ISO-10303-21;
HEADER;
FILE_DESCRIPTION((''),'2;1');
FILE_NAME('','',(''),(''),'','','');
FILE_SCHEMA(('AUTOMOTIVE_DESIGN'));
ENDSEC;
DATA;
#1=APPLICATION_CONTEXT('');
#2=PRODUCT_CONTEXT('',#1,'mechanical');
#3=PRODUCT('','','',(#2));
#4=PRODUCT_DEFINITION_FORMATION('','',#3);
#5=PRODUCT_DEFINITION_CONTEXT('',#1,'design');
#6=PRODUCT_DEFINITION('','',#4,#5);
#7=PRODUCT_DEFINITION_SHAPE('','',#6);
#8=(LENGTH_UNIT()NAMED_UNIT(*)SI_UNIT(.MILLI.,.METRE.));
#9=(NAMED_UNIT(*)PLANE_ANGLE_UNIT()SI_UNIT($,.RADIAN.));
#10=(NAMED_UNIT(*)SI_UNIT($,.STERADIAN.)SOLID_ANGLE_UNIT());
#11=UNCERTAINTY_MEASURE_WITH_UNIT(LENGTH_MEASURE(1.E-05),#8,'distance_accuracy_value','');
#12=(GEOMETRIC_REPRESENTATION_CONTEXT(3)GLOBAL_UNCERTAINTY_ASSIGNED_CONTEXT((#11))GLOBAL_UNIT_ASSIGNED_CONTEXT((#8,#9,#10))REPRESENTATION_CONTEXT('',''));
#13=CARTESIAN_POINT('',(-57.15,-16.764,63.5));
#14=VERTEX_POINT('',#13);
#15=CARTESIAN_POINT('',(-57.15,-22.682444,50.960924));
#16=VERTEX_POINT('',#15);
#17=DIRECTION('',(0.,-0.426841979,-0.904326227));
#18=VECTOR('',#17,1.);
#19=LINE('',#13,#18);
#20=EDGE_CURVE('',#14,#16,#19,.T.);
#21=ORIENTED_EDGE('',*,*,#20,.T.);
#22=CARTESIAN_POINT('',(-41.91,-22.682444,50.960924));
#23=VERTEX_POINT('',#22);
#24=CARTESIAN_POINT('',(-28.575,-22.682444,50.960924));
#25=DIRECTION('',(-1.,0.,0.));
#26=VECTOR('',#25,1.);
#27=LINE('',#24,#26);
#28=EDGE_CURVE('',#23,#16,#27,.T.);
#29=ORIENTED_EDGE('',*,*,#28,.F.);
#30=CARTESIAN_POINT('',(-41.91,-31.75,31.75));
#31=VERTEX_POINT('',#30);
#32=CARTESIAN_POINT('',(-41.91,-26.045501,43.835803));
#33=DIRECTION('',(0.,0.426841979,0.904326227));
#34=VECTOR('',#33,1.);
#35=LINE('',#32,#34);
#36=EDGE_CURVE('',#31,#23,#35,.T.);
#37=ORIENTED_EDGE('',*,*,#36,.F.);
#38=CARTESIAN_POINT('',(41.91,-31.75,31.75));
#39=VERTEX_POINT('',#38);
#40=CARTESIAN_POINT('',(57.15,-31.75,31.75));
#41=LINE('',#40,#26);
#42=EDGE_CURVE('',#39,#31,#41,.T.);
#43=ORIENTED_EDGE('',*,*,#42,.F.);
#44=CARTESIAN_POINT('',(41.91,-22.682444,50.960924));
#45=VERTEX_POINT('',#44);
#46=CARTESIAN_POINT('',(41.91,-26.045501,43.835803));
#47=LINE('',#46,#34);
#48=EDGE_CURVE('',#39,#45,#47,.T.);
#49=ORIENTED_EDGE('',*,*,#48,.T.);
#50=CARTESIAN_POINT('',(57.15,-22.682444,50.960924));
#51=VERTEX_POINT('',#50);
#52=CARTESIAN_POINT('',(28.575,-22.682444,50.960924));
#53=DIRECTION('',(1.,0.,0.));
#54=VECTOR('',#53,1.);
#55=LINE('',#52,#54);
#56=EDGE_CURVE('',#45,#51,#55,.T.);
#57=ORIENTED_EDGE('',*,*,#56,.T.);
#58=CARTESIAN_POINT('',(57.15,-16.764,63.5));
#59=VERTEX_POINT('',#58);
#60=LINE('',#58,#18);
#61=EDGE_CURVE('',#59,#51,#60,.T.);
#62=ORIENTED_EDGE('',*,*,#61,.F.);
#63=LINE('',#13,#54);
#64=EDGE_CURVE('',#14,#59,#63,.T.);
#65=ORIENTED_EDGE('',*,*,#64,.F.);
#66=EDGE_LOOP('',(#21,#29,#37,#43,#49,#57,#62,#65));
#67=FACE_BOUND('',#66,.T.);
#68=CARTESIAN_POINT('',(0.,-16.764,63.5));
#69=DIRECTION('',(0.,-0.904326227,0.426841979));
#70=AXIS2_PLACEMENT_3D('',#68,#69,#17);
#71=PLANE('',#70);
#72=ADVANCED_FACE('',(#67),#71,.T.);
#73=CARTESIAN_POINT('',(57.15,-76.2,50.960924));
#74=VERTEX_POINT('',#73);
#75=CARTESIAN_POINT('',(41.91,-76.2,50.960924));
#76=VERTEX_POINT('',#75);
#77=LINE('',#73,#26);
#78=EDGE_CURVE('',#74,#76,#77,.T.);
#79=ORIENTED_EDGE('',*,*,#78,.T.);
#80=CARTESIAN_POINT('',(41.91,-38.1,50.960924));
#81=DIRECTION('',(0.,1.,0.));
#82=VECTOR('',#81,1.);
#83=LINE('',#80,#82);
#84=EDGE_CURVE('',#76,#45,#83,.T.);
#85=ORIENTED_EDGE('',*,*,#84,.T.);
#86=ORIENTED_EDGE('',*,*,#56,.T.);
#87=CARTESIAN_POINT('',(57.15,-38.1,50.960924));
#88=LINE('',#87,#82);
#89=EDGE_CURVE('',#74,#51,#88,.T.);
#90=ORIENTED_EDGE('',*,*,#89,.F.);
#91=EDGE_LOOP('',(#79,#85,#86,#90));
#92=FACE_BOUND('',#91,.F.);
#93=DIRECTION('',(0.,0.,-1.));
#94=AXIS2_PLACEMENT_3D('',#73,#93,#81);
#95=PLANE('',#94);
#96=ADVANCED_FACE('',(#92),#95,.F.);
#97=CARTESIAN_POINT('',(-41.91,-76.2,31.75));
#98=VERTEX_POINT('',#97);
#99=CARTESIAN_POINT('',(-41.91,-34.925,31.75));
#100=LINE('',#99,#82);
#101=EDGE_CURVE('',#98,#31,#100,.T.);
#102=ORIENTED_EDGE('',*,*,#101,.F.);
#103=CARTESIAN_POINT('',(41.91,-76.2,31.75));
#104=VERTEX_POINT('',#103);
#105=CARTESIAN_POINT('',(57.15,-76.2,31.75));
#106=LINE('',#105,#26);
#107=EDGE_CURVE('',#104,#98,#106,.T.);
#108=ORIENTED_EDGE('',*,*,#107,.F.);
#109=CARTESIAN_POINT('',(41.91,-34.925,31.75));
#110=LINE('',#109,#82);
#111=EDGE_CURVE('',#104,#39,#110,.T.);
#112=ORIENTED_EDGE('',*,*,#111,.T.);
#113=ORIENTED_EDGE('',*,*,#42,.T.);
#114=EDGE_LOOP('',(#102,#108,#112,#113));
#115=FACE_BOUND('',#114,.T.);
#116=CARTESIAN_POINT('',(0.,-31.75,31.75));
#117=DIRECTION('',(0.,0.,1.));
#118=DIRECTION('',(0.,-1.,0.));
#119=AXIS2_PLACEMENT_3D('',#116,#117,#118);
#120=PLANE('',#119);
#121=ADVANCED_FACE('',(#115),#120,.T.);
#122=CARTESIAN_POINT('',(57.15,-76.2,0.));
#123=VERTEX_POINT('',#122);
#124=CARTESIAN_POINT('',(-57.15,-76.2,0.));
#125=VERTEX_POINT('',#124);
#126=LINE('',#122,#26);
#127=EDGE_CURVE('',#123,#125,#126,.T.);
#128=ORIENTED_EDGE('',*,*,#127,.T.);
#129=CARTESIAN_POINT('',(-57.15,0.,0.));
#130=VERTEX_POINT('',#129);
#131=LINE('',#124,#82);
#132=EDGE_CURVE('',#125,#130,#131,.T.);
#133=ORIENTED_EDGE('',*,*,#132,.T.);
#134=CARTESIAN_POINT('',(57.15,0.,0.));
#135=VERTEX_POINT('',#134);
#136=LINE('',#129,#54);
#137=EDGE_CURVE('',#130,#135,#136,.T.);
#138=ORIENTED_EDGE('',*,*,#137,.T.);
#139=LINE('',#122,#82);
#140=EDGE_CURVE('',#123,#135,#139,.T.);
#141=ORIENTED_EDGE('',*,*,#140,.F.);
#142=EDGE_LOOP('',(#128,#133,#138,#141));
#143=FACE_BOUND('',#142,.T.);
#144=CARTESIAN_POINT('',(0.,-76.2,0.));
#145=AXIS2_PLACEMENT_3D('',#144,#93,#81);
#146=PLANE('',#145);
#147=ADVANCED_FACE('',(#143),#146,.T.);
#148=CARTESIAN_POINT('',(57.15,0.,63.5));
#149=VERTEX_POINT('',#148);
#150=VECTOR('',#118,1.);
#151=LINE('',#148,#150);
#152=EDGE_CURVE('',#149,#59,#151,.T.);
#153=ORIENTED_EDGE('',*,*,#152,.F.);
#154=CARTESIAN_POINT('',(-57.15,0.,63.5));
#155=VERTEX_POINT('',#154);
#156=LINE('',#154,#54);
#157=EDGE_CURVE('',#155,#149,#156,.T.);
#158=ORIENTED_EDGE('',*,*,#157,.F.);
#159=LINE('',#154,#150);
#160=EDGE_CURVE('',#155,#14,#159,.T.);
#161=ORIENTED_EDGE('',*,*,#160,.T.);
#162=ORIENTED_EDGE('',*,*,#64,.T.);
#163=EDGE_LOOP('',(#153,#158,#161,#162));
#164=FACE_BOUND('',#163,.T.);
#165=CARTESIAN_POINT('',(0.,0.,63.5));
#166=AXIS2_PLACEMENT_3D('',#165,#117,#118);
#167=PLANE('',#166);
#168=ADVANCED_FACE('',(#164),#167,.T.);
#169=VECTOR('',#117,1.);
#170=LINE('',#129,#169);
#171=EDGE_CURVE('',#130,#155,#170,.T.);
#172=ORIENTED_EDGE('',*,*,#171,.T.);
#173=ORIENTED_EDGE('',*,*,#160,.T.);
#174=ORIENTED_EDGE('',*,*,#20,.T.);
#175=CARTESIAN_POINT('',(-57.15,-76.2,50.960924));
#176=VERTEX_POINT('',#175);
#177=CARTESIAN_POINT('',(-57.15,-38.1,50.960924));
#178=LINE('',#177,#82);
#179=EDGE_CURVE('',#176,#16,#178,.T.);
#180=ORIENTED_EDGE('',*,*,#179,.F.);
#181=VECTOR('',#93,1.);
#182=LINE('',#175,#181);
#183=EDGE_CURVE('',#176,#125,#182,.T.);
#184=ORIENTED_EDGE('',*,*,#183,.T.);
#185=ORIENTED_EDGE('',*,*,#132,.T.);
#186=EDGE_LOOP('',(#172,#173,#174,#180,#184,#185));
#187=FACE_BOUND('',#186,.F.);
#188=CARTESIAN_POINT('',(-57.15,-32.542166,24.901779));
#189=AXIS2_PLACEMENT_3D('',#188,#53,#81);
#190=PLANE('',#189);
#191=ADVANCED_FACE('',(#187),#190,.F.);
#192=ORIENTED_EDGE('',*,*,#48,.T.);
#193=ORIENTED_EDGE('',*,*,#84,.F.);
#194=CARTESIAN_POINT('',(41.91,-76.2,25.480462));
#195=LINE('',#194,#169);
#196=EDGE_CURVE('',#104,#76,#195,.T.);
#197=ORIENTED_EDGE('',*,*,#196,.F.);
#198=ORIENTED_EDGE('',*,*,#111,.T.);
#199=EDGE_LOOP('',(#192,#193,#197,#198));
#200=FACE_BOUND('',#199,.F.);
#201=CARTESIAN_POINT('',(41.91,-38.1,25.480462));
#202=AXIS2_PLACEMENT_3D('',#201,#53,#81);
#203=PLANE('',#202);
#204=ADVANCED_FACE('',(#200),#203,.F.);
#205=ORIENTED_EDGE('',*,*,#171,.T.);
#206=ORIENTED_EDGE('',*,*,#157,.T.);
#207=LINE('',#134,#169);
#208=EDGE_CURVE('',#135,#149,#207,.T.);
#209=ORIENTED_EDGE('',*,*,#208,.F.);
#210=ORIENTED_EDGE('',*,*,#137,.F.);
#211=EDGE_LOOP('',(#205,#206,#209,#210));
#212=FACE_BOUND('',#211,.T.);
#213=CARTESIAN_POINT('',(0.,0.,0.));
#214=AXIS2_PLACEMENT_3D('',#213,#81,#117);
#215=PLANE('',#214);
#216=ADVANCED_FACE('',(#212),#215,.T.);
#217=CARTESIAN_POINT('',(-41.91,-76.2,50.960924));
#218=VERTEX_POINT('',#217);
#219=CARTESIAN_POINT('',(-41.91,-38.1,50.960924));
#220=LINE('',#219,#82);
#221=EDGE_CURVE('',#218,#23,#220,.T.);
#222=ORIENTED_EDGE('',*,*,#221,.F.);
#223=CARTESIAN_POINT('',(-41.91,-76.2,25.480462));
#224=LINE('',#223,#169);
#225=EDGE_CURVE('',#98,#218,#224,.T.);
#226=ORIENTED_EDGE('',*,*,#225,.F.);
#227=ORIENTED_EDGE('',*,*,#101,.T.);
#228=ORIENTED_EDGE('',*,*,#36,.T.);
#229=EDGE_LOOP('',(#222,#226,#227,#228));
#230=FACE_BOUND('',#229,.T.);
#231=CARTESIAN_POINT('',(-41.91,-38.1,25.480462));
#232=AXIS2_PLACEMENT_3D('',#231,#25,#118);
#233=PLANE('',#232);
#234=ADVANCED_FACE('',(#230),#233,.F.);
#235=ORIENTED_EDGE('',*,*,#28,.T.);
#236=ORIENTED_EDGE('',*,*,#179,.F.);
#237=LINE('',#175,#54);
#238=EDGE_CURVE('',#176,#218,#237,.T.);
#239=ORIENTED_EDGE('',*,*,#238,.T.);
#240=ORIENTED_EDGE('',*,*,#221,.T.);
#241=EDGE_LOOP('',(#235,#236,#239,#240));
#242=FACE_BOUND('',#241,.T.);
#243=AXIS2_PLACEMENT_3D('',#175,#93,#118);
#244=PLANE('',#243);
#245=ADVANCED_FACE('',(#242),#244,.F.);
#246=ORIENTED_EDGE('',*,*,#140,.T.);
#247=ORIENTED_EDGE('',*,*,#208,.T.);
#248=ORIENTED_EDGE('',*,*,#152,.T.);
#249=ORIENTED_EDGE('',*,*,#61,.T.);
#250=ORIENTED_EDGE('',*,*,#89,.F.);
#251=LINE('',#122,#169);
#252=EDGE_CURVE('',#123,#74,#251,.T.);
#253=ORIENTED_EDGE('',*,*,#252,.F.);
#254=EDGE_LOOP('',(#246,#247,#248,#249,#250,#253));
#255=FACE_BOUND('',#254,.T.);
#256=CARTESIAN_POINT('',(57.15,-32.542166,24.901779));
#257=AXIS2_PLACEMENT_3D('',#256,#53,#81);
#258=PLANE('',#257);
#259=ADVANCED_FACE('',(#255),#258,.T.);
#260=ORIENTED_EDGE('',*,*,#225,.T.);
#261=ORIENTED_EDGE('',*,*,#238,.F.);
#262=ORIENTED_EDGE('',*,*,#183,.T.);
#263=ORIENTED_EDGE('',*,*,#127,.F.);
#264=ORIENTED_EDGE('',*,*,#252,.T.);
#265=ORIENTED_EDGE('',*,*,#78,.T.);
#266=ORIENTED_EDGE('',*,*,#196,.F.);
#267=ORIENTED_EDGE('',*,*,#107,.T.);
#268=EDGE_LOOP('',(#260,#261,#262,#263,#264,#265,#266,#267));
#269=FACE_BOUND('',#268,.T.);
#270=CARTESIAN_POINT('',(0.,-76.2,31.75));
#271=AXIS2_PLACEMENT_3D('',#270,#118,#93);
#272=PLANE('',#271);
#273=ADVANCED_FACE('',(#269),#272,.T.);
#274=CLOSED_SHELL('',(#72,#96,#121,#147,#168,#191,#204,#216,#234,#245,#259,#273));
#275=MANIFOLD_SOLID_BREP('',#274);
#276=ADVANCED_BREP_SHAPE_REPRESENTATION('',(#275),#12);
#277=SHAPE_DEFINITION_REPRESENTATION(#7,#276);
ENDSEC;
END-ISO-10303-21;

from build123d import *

# Parameters (mm, degrees)
F1_DEPTH = 57.15
F2_W     = 76.2
F2_H     = 50.960924
F3_DEPTH = 15.24


with BuildPart() as f1:
    # F0 (on Right) → F1 (new body, symmetric)
    with BuildSketch(Plane.YZ):
        Polygon((-76.2, 0), (0, 0), (0, 63.5), (-16.764, 63.5), (-31.75, 31.75), (-76.2, 31.75), align=None)
    extrude(amount=F1_DEPTH, both=True)

    # F2 (on face) → F3 (join)
    with BuildSketch(Plane.YZ.offset(57.15)):
        with Locations((-38.1, 25.480462)):
            Rectangle(F2_W, F2_H)
    extrude(amount=-F3_DEPTH)

    # F4: F1 across plane


with BuildPart() as f1_1:
    add(f1.part)
    add(f1.part.mirror(Plane.YZ))


solid = f1_1.part
